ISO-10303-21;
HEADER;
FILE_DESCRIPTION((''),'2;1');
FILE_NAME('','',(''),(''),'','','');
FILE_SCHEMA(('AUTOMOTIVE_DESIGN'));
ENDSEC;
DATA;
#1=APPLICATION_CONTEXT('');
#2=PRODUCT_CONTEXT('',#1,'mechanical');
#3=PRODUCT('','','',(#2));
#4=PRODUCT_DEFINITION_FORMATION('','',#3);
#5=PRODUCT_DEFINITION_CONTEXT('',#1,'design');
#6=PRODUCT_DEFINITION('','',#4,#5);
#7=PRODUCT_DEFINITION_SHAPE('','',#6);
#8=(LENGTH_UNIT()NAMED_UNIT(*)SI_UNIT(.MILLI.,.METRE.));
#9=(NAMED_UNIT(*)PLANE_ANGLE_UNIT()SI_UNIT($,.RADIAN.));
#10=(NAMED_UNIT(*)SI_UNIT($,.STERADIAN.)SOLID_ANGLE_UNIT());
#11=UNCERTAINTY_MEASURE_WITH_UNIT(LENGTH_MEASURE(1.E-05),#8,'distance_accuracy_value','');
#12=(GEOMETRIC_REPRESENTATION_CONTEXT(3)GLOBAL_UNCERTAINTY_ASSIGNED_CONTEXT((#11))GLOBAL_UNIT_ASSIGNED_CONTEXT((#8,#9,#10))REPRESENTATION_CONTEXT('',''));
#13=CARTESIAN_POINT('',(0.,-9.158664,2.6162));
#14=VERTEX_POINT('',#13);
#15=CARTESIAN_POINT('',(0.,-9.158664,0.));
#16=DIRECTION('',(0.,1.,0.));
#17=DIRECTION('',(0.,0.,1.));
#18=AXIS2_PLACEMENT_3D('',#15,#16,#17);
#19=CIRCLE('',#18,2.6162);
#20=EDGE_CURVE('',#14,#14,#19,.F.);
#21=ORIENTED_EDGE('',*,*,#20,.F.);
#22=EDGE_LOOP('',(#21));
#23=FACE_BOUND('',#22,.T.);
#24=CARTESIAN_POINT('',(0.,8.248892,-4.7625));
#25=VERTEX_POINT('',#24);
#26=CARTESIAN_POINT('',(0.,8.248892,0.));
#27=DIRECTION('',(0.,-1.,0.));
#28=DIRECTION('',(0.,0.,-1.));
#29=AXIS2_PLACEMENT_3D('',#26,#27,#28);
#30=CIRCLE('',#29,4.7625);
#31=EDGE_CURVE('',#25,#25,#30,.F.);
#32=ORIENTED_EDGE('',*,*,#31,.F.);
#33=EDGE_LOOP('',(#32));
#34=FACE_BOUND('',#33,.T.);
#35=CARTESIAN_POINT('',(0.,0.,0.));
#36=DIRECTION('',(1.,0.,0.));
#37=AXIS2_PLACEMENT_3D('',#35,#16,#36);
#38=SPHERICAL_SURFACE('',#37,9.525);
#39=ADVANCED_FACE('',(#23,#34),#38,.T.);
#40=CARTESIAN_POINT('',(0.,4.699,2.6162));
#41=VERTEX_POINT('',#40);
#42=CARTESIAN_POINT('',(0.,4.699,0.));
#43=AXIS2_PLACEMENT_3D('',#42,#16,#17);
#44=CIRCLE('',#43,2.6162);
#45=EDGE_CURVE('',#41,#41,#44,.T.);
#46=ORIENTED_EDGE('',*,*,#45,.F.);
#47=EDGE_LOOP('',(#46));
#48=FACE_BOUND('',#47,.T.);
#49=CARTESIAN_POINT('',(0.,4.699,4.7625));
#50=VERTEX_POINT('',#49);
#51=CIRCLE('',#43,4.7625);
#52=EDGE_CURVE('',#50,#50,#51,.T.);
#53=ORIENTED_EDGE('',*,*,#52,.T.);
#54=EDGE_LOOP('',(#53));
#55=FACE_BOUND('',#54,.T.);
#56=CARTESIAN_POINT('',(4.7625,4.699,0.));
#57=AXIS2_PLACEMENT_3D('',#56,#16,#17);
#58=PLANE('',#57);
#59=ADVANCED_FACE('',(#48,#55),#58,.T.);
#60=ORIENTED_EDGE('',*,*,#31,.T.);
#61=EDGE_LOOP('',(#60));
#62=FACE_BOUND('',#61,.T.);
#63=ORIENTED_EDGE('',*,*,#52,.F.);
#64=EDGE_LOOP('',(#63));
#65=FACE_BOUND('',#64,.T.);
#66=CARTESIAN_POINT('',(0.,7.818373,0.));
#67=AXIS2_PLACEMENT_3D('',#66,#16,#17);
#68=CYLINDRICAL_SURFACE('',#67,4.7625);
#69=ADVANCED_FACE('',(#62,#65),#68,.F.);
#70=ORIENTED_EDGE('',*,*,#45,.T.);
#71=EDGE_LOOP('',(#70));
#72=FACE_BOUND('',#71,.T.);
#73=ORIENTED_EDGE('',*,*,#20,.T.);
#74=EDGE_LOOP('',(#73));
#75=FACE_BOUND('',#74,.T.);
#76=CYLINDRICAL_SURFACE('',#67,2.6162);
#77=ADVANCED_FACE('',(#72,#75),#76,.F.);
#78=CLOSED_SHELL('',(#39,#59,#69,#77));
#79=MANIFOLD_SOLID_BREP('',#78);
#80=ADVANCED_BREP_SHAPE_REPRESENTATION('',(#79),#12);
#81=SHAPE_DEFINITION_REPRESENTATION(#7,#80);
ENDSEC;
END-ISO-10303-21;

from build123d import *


with BuildPart() as part:
    # Sketch1 → Complete_Ball (revolve)
    with BuildSketch(Plane.XY):
        with BuildLine():
            Line((0, 9.525), (0, -9.525))
            ThreePointArc((0, -9.525), (9.525, 0), (0, 9.525))
        make_face()
    revolve(axis=Axis((0, 9.119269759, 0), (0, -1, 0)))

    # Sketch5 → Counterbored_hole (revolve, cut)
    with BuildSketch(Plane.XY, mode=Mode.PRIVATE) as counterbored_hole_sk:
        Polygon((2.6162, -9.525), (2.6162, 4.699), (4.7625, 4.699), (4.7625, 9.525), (0, 9.525), (0, -9.525), align=None)
    revolve(counterbored_hole_sk.sketch.rotate(Axis((0, 7.818373071, 0), (0, -1, 0)), 90), axis=Axis((0, 7.818373071, 0), (0, -1, 0)), mode=Mode.SUBTRACT)  # turned: the seam where the file's is


solid = part.part
